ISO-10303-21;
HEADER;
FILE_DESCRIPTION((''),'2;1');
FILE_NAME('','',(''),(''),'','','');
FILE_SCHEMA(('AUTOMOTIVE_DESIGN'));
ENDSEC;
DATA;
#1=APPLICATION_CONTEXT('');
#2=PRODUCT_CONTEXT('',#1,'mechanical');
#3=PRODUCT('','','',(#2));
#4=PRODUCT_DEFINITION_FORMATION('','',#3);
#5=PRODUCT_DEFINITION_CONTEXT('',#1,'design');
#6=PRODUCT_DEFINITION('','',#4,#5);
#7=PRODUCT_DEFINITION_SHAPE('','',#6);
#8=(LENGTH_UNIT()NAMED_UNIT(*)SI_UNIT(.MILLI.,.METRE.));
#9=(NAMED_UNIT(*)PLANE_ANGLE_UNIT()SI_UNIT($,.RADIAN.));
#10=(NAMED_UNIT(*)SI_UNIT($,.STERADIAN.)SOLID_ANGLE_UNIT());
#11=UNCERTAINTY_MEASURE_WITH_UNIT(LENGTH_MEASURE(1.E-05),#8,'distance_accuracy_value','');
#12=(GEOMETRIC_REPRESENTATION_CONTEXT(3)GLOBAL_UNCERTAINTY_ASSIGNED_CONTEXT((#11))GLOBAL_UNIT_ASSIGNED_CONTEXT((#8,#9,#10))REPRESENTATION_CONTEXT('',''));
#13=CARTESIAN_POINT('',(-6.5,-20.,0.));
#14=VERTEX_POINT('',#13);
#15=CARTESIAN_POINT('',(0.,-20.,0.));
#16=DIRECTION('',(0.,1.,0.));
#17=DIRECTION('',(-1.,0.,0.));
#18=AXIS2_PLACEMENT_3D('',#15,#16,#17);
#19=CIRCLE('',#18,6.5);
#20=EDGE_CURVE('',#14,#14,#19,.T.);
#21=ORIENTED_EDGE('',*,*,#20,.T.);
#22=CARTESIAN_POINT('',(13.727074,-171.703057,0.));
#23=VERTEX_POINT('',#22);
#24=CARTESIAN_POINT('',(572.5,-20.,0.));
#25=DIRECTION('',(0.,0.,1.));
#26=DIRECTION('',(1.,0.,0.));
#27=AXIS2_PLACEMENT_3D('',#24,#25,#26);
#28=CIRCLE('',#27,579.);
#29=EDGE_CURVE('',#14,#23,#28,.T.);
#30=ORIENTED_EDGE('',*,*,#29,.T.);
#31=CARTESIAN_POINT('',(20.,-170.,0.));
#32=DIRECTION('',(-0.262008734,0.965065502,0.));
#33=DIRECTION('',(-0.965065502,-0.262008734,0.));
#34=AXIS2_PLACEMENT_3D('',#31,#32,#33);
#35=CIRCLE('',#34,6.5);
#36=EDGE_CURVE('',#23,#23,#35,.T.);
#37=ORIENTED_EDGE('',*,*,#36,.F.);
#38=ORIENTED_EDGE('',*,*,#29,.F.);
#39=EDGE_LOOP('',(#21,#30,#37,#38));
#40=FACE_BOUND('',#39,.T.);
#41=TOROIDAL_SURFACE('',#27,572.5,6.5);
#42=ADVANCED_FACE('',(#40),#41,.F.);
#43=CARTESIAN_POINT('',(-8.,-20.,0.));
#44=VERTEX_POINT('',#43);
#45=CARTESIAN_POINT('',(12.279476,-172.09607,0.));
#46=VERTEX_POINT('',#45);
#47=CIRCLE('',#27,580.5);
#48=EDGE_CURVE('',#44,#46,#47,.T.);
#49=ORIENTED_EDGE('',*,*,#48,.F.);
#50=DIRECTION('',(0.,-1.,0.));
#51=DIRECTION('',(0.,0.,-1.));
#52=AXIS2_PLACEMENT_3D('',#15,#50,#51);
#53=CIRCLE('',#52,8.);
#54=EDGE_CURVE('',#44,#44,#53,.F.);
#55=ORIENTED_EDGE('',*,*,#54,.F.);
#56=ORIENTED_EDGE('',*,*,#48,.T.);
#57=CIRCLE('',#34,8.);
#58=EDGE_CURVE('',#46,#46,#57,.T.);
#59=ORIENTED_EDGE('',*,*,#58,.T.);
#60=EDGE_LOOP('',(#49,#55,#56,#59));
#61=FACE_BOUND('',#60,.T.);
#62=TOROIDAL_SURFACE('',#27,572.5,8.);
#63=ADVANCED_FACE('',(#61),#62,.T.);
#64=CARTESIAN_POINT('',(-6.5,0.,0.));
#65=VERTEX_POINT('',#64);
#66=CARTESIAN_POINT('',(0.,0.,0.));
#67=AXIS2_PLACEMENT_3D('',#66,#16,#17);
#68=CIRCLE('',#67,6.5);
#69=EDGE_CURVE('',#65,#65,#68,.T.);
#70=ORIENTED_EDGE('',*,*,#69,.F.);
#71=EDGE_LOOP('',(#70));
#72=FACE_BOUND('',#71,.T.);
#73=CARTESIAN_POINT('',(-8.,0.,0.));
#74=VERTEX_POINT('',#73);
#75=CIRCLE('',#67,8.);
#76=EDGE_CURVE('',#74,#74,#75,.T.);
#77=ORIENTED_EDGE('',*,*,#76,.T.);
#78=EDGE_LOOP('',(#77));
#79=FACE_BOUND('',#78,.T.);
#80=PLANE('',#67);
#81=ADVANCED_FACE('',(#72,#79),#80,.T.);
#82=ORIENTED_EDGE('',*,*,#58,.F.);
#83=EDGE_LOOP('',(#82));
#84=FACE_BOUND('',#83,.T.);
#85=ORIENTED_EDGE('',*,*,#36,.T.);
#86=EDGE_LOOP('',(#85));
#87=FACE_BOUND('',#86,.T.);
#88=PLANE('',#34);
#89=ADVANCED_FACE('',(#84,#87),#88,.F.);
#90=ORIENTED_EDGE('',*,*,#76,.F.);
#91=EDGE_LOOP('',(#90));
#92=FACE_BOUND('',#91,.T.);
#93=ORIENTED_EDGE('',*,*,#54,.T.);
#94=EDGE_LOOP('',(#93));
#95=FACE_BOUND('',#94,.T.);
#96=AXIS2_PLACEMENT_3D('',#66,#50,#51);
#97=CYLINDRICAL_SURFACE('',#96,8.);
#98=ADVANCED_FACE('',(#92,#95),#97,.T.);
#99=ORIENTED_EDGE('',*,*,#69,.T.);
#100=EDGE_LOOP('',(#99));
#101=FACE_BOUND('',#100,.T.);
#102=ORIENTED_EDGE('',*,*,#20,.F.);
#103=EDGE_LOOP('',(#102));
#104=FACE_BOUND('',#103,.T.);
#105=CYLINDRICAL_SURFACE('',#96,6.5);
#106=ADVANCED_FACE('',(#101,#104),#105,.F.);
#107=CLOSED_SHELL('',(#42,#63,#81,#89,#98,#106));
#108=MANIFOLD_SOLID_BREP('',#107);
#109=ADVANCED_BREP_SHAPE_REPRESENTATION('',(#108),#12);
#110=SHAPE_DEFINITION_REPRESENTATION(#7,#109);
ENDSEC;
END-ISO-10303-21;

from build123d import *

# Parameters (mm, degrees)
WYCI_GNI_CIE_PO_CIE_CE_CIENKA_CIAN_2_R   = 8
WYCI_GNI_CIE_PO_CIE_CE_CIENKA_CIAN_2_R_2 = 6.5


with BuildPart() as part:
    # Wyci_gni_cie po _cie_ce-Cienka _cianka1: sweep along a path in Szkic1
    with BuildLine(Plane.XY) as wyci_gni_cie_po_cie_ce_cienka_cianka1_path:
        Line((0, 0), (0, -20))
        ThreePointArc((0, -20), (5.022026859, -95.663729752), (20, -170))
    # Wyci_gni_cie po _cie_ce-Cienka _cian 2 (on start of the path) → Wyci_gni_cie po _cie_ce-Cienka _cianka1 (sweep)
    with BuildSketch(Plane(origin=(0, 0, 0), x_dir=(0, 0, -1), z_dir=(0, -1, 0))):
        Circle(WYCI_GNI_CIE_PO_CIE_CE_CIENKA_CIAN_2_R)
        Circle(WYCI_GNI_CIE_PO_CIE_CE_CIENKA_CIAN_2_R_2, mode=Mode.SUBTRACT)
    sweep(path=wyci_gni_cie_po_cie_ce_cienka_cianka1_path.line)


solid = part.part
